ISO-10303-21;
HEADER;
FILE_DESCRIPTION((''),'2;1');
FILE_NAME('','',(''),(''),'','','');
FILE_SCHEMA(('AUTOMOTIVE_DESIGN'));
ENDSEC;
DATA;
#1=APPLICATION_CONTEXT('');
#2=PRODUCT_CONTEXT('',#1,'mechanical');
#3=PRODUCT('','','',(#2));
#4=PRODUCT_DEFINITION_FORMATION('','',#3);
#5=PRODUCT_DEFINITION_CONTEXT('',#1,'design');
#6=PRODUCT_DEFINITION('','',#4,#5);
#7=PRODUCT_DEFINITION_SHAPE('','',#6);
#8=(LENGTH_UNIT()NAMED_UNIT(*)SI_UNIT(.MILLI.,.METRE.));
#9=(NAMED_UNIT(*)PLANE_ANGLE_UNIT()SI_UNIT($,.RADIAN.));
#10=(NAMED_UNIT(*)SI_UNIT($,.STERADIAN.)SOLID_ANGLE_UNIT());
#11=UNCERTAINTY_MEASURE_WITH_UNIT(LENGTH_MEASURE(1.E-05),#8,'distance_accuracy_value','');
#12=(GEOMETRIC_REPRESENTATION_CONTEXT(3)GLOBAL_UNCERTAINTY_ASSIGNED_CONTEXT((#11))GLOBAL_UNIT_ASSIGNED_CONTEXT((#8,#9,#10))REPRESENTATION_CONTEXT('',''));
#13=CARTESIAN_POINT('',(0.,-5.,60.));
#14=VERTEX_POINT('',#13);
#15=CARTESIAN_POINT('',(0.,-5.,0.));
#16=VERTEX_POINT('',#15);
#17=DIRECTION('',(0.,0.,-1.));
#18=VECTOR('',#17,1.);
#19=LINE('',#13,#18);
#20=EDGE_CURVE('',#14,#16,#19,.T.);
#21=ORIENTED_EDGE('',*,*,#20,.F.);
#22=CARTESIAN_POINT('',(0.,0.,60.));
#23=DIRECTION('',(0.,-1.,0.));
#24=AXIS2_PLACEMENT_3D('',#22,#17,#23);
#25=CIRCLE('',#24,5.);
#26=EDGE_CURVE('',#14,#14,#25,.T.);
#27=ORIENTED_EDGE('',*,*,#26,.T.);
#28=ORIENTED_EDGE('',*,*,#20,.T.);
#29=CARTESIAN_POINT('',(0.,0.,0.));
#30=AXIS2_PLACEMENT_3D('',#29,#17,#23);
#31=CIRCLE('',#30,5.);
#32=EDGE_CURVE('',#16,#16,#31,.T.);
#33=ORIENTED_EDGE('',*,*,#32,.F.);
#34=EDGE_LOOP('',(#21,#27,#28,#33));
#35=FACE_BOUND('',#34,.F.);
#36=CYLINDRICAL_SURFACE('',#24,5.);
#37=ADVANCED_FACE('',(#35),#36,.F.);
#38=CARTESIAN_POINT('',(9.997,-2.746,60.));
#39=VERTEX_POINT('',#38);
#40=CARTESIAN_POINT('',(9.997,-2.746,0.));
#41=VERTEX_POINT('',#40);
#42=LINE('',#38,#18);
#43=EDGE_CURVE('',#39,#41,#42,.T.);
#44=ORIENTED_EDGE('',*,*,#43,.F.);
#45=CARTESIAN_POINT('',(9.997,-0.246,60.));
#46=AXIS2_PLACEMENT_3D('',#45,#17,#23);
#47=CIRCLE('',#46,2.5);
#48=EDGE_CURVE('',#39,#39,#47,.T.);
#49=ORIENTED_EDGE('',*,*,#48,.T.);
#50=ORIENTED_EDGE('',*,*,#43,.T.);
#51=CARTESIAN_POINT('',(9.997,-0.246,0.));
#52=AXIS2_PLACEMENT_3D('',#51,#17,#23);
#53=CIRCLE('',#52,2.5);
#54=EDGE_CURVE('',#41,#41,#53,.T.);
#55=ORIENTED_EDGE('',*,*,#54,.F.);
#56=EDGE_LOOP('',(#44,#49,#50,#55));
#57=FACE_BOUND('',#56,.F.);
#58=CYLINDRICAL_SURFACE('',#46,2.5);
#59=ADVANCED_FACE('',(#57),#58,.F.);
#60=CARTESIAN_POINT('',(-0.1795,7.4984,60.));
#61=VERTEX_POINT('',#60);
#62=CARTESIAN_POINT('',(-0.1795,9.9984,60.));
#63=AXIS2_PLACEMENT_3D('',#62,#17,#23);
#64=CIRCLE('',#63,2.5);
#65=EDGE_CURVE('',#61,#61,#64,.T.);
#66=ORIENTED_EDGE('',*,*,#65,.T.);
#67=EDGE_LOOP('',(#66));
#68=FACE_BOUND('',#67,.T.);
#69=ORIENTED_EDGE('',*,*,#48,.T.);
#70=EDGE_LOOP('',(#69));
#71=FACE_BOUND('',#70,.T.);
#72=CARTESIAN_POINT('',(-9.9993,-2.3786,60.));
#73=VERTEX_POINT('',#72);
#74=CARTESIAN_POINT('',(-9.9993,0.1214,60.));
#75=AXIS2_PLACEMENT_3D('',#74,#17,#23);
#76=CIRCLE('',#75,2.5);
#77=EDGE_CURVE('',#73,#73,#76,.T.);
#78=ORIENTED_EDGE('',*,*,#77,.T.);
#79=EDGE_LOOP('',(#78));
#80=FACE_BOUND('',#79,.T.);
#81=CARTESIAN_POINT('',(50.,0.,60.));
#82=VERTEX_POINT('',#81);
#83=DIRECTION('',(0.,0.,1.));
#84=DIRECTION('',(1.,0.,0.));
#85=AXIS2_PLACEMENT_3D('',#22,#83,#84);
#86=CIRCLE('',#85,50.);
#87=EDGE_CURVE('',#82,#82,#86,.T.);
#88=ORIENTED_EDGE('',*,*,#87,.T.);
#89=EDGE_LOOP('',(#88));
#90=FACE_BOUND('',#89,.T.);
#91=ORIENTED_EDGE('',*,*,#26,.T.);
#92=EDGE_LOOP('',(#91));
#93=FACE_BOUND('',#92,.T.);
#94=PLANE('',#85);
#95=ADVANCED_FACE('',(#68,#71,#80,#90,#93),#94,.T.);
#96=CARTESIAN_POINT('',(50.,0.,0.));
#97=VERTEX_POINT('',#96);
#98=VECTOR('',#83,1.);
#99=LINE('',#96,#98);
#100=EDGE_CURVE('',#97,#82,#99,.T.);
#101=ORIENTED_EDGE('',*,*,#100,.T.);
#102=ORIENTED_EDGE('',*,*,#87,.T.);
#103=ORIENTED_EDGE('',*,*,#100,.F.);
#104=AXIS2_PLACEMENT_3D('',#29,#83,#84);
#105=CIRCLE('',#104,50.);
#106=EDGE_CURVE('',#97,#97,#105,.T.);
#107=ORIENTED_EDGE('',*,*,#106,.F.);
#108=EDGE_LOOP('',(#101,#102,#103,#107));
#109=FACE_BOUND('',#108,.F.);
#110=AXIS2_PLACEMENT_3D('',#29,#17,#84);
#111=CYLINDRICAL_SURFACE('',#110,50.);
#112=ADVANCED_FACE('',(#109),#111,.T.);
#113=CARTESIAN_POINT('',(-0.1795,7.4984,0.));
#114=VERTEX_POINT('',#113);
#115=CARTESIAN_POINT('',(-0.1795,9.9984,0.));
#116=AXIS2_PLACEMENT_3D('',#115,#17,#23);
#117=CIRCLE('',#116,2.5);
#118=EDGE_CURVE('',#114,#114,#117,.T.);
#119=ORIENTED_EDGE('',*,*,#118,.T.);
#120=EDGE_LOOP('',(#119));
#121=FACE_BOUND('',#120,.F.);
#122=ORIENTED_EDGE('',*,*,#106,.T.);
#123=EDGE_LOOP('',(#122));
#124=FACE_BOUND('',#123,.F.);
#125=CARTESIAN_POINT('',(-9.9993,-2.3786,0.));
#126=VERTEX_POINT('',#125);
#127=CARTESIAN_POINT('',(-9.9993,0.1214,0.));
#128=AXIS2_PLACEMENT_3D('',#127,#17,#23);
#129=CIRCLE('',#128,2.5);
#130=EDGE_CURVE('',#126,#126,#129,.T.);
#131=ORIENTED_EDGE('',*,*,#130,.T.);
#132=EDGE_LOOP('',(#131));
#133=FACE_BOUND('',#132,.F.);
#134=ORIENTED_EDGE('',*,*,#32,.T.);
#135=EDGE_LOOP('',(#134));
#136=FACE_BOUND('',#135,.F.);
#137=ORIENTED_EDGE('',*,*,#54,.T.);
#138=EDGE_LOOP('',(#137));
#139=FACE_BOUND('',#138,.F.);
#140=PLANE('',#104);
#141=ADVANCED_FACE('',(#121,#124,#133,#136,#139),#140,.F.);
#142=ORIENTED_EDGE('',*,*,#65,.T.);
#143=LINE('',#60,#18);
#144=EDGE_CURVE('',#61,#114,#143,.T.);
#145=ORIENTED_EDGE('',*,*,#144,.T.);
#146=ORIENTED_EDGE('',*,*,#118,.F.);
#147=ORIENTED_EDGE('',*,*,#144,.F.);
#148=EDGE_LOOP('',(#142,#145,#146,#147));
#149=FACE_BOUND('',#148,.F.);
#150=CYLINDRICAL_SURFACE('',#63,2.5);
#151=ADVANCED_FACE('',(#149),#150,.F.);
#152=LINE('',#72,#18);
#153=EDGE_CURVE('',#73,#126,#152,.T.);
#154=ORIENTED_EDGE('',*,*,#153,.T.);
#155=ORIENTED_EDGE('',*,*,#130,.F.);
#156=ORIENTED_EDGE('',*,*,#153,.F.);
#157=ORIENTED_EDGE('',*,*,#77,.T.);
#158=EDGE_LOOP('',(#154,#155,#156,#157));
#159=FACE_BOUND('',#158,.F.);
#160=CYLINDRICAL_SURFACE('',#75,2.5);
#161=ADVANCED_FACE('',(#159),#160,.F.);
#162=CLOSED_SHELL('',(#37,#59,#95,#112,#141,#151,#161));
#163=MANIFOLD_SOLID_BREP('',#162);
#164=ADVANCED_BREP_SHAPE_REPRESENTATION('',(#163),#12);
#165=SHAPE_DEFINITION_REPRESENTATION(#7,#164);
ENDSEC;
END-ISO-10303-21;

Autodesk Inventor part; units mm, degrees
ref_plane "YZ Plane" through (0, 0, 0) normal (1, 0, 0) x (0, 1, 0)
ref_plane "XZ Plane" through (0, 0, 0) normal (0, 1, 0) x (-1, 0, 0)
ref_plane "XY Plane" through (0, 0, 0) normal (0, 0, 1) x (1, 0, 0)
sketch "スケッチ1" plane through (0, 0, 0) normal (0, 0, 1) x (1, 0, 0)
  circle A0 centre (0, 0) radius 50
  dimension "d0" = 100
extrude "押し出し1" add sketch "スケッチ1" along normal blind 60
sketch "スケッチ2" plane through (0, 0, 60) normal (0, 0, 1) x (1, 0, 0)
  point P0 (0, 0)
  point P1 (0, 0)
hole "穴1" at (0, 0, 60) direction (0, 0, -1) diameter 10 depth 60 tip angle 118
sketch "スケッチ3" plane through (0, 0, 60) normal (0, 0, 1) x (1, 0, 0)
  circle A0 centre (0, 0) radius 5 projected
  circle A1 centre (0, 0) radius 10 construction
  point P0 (-9.9993, 0.1214)
  point P1 (-0.1795, 9.9984)
  point P2 (9.997, -0.246)
  dimension "d17" = 20
hole "穴2" at (-9.9993, 0.1214, 60) at (-0.1795, 9.9984, 60) at (9.997, -0.246, 60) direction (0, 0, -1) diameter 5 depth 60 tip angle 118
properties part number "ローラー"
